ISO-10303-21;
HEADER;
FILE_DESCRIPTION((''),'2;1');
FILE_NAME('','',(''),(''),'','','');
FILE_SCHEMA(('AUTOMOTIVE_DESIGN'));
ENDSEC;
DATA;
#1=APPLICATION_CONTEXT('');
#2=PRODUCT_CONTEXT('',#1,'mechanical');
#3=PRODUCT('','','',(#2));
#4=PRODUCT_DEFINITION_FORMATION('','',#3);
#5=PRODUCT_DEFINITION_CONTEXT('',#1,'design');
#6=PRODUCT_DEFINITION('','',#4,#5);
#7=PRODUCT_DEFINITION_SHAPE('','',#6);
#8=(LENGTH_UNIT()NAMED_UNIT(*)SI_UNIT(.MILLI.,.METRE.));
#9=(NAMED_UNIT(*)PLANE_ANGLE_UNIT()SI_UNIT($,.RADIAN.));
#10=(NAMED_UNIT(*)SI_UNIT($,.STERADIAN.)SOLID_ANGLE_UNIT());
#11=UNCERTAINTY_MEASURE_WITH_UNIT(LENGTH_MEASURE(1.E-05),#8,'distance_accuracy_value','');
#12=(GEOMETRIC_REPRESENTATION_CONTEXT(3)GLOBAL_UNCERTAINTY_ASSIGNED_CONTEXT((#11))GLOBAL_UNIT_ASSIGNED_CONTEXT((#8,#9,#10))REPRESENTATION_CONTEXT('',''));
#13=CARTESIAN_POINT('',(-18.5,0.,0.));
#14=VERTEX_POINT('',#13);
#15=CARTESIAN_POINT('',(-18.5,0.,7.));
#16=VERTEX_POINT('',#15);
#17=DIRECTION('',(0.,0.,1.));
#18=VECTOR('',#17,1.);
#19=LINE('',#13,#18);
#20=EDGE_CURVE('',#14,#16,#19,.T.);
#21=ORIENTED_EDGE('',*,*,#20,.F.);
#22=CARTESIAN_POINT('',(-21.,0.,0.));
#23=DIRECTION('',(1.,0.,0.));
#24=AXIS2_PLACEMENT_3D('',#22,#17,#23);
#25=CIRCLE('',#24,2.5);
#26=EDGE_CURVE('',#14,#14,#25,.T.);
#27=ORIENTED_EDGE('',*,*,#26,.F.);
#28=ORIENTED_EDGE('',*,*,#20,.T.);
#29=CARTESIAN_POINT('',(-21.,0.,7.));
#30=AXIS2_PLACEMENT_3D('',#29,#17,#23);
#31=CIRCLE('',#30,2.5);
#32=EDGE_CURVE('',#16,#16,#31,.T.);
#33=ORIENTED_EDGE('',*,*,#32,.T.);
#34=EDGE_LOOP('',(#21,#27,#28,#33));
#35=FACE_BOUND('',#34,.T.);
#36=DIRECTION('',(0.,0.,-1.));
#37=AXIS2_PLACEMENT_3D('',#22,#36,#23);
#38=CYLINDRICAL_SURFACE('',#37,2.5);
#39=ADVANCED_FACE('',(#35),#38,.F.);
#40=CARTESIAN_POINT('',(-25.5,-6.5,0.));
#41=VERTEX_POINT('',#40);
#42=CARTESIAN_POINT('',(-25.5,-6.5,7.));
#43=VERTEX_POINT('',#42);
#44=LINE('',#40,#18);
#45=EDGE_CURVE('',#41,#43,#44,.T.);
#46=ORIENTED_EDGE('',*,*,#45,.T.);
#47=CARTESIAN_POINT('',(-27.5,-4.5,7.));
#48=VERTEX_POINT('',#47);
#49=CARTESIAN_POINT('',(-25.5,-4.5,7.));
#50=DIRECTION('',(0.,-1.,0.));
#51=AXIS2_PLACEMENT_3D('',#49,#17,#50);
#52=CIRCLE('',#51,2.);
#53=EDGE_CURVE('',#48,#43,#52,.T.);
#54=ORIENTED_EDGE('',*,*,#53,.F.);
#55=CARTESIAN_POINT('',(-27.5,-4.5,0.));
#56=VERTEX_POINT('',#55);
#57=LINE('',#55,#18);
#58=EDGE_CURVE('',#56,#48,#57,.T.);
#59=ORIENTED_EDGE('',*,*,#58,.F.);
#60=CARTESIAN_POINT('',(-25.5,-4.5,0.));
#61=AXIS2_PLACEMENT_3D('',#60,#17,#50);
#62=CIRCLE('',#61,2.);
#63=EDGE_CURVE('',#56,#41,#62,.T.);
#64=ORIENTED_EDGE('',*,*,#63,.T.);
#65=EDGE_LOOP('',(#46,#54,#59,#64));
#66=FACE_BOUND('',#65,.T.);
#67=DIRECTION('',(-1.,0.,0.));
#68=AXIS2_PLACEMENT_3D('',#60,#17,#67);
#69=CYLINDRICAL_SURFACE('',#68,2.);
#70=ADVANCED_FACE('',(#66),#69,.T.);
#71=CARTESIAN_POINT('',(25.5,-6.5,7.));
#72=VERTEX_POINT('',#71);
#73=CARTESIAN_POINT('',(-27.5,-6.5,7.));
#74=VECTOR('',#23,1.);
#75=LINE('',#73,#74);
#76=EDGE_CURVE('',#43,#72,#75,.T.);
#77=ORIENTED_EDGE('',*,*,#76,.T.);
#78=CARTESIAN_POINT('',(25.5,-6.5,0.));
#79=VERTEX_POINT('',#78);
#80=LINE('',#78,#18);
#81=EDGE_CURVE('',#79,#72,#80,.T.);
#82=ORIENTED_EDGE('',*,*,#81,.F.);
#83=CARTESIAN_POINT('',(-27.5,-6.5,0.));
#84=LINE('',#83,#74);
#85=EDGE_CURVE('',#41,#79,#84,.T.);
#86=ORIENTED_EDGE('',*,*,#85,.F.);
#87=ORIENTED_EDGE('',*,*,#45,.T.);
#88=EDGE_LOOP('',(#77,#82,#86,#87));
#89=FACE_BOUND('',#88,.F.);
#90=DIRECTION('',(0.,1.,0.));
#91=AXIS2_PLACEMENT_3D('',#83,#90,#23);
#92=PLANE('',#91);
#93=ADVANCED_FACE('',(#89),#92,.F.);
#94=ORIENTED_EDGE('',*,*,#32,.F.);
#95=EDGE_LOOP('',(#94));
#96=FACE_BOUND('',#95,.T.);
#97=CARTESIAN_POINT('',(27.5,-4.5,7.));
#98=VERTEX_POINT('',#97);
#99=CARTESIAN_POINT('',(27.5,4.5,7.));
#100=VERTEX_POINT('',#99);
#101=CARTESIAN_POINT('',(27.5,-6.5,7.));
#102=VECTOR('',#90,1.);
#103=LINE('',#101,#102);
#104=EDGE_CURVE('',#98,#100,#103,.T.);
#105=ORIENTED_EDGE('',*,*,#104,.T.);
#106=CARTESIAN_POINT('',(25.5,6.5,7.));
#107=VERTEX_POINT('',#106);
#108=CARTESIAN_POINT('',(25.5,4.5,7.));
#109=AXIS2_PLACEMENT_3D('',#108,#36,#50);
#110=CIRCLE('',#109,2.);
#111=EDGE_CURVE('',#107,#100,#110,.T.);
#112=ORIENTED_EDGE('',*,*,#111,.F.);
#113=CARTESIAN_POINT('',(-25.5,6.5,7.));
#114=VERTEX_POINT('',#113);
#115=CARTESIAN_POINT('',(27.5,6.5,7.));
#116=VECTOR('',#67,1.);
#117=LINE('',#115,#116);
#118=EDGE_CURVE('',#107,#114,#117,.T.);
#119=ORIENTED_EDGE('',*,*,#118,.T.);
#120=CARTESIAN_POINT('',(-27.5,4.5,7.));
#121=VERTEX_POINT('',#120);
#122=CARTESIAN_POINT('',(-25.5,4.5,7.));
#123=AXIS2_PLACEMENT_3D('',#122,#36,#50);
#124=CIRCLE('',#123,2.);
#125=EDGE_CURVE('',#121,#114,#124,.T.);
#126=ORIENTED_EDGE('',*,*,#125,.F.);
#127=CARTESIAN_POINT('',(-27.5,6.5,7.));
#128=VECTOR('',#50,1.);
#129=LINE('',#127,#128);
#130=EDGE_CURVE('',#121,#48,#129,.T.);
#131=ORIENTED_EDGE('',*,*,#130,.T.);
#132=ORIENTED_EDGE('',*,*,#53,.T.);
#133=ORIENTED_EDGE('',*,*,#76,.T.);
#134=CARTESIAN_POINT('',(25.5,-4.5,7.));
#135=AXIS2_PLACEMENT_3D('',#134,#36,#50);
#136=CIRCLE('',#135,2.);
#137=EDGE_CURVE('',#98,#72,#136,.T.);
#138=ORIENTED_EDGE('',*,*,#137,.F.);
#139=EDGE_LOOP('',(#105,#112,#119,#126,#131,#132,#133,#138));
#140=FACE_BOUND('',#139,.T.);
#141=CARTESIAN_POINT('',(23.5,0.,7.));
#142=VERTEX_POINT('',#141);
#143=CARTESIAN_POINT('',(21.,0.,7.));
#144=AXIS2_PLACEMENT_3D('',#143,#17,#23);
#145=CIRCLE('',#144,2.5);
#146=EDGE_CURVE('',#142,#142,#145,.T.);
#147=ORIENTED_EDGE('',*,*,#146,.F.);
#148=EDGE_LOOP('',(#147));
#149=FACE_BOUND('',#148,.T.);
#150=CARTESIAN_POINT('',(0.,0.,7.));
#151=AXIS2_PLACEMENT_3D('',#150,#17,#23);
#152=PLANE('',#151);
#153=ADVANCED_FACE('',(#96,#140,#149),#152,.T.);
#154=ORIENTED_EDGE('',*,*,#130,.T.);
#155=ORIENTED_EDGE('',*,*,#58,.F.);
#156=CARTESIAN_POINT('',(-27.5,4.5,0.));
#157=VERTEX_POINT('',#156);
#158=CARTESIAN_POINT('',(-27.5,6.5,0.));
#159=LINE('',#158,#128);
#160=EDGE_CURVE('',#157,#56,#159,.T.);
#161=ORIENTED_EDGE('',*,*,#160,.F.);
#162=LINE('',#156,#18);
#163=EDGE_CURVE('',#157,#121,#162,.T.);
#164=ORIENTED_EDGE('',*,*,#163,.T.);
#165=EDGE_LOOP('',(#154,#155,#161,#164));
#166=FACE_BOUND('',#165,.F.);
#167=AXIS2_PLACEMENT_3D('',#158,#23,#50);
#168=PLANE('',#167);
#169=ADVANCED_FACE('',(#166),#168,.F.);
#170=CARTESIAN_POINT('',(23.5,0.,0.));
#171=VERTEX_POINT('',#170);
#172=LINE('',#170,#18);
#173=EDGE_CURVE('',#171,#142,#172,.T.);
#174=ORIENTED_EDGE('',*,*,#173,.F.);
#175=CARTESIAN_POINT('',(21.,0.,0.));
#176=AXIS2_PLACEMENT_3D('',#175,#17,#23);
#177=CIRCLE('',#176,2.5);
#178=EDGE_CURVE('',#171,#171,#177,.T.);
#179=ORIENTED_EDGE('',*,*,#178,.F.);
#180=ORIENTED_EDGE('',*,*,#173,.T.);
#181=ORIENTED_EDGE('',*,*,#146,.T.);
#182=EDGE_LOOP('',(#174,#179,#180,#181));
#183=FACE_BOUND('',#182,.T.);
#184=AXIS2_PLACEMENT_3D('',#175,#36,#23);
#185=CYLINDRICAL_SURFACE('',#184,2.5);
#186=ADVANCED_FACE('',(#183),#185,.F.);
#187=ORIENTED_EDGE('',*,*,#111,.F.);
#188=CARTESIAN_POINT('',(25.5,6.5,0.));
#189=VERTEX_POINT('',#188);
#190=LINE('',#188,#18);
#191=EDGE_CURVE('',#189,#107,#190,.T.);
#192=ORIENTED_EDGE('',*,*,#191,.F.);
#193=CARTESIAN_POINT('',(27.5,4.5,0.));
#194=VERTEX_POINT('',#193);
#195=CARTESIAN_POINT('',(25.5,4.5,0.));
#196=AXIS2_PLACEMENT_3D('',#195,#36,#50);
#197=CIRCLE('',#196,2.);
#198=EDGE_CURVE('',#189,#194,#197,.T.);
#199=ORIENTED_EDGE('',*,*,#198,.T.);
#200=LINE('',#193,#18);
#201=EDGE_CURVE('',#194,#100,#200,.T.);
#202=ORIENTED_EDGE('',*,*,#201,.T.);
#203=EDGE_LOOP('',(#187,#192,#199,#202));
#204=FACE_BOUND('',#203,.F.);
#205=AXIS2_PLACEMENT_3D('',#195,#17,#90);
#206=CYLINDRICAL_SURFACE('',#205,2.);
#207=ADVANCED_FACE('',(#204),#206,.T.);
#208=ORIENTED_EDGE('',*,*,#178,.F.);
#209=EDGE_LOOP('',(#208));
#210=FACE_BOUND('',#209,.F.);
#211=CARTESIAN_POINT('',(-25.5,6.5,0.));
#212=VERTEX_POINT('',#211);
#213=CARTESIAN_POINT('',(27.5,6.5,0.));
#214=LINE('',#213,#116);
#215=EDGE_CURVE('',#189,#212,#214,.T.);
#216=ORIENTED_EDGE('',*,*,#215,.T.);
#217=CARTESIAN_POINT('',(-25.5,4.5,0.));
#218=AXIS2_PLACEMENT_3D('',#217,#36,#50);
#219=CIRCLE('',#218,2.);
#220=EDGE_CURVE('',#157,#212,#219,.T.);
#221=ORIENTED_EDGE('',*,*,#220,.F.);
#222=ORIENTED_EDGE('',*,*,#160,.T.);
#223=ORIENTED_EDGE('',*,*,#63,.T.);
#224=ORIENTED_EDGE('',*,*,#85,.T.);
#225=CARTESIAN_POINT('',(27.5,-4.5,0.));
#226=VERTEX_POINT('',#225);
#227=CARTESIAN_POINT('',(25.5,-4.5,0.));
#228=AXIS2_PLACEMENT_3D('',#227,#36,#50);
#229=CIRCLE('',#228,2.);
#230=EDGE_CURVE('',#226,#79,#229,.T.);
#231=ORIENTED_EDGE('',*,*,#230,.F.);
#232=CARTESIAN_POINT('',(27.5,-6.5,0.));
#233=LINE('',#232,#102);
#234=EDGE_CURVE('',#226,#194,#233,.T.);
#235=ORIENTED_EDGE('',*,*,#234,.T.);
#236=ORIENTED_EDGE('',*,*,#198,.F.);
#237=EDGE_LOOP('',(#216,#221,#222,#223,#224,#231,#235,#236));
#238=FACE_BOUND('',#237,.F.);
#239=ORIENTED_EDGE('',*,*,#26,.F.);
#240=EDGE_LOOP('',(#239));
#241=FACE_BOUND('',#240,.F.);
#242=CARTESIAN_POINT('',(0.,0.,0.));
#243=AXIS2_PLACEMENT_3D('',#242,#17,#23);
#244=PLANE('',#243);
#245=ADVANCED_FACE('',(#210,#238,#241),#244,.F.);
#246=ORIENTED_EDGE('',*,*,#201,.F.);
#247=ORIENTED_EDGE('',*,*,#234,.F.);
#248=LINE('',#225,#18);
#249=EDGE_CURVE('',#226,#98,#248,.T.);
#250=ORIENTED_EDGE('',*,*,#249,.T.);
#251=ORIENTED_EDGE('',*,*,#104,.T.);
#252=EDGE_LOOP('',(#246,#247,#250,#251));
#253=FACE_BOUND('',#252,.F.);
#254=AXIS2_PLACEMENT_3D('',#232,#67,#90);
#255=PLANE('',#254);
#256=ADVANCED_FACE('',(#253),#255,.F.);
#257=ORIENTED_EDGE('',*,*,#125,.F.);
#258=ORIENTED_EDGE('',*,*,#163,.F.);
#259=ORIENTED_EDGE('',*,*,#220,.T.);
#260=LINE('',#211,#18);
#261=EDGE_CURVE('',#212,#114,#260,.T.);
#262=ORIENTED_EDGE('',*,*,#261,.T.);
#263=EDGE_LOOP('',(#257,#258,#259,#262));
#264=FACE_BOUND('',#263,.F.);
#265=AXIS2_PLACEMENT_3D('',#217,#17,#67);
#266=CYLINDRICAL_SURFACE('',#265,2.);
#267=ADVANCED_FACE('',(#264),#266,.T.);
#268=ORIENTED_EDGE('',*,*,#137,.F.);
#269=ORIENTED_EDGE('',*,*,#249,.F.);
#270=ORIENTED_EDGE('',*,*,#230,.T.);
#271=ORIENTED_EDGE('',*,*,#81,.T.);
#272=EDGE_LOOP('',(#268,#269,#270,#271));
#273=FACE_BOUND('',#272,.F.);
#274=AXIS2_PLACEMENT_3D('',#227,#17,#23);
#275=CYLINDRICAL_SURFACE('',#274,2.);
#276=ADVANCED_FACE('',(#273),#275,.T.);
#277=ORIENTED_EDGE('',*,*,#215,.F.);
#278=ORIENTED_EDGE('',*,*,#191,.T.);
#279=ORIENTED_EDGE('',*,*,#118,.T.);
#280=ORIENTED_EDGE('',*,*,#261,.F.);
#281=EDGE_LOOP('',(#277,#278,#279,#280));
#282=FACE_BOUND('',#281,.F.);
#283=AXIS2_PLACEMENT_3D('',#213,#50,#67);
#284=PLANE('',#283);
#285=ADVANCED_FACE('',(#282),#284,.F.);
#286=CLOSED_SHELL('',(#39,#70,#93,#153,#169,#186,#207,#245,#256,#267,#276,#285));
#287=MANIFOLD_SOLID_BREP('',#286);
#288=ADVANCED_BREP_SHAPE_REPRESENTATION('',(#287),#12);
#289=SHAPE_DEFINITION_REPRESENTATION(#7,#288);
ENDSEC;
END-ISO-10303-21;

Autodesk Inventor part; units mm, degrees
ref_plane "YZ Plane" through (0, 0, 0) normal (1, 0, 0) x (0, 1, 0)
ref_plane "XZ Plane" through (0, 0, 0) normal (0, 1, 0) x (-1, 0, 0)
ref_plane "XY Plane" through (0, 0, 0) normal (0, 0, 1) x (1, 0, 0)
sketch "Sketch1" plane through (0, 0, 0) normal (0, 0, 1) x (1, 0, 0)
  line L0 (-27.5, -6.5) -> (27.5, -6.5)
  line L1 (27.5, -6.5) -> (27.5, 6.5)
  line L2 (27.5, 6.5) -> (-27.5, 6.5)
  line L3 (-27.5, 6.5) -> (-27.5, -6.5)
  line L4 (-27.5, -6.5) -> (27.5, 6.5) construction
  line L5 (27.5, -6.5) -> (-27.5, 6.5) construction
  circle A0 centre (-21, 0) radius 2.5
  circle A1 centre (21, 0) radius 2.5
  point P0 (0, 0)
  dimension "d0" = 55
  dimension "d1" = 13
  dimension "d2" = 5
  dimension "d3" = 5
  dimension "d4" = 42
  dimension "d5" = 21
  dimension "d6" = 6.5
  dimension "d7" = 6.5
extrude "Extrusion1" add sketch "Sketch1" along normal blind 7
fillet "Fillet1" radius 2 4 edges at (27.5, 6.5, 3.5) (27.5, -6.5, 3.5) (-27.5, 6.5, 3.5) (-27.5, -6.5, 3.5)
properties part number "dem bac dan"
